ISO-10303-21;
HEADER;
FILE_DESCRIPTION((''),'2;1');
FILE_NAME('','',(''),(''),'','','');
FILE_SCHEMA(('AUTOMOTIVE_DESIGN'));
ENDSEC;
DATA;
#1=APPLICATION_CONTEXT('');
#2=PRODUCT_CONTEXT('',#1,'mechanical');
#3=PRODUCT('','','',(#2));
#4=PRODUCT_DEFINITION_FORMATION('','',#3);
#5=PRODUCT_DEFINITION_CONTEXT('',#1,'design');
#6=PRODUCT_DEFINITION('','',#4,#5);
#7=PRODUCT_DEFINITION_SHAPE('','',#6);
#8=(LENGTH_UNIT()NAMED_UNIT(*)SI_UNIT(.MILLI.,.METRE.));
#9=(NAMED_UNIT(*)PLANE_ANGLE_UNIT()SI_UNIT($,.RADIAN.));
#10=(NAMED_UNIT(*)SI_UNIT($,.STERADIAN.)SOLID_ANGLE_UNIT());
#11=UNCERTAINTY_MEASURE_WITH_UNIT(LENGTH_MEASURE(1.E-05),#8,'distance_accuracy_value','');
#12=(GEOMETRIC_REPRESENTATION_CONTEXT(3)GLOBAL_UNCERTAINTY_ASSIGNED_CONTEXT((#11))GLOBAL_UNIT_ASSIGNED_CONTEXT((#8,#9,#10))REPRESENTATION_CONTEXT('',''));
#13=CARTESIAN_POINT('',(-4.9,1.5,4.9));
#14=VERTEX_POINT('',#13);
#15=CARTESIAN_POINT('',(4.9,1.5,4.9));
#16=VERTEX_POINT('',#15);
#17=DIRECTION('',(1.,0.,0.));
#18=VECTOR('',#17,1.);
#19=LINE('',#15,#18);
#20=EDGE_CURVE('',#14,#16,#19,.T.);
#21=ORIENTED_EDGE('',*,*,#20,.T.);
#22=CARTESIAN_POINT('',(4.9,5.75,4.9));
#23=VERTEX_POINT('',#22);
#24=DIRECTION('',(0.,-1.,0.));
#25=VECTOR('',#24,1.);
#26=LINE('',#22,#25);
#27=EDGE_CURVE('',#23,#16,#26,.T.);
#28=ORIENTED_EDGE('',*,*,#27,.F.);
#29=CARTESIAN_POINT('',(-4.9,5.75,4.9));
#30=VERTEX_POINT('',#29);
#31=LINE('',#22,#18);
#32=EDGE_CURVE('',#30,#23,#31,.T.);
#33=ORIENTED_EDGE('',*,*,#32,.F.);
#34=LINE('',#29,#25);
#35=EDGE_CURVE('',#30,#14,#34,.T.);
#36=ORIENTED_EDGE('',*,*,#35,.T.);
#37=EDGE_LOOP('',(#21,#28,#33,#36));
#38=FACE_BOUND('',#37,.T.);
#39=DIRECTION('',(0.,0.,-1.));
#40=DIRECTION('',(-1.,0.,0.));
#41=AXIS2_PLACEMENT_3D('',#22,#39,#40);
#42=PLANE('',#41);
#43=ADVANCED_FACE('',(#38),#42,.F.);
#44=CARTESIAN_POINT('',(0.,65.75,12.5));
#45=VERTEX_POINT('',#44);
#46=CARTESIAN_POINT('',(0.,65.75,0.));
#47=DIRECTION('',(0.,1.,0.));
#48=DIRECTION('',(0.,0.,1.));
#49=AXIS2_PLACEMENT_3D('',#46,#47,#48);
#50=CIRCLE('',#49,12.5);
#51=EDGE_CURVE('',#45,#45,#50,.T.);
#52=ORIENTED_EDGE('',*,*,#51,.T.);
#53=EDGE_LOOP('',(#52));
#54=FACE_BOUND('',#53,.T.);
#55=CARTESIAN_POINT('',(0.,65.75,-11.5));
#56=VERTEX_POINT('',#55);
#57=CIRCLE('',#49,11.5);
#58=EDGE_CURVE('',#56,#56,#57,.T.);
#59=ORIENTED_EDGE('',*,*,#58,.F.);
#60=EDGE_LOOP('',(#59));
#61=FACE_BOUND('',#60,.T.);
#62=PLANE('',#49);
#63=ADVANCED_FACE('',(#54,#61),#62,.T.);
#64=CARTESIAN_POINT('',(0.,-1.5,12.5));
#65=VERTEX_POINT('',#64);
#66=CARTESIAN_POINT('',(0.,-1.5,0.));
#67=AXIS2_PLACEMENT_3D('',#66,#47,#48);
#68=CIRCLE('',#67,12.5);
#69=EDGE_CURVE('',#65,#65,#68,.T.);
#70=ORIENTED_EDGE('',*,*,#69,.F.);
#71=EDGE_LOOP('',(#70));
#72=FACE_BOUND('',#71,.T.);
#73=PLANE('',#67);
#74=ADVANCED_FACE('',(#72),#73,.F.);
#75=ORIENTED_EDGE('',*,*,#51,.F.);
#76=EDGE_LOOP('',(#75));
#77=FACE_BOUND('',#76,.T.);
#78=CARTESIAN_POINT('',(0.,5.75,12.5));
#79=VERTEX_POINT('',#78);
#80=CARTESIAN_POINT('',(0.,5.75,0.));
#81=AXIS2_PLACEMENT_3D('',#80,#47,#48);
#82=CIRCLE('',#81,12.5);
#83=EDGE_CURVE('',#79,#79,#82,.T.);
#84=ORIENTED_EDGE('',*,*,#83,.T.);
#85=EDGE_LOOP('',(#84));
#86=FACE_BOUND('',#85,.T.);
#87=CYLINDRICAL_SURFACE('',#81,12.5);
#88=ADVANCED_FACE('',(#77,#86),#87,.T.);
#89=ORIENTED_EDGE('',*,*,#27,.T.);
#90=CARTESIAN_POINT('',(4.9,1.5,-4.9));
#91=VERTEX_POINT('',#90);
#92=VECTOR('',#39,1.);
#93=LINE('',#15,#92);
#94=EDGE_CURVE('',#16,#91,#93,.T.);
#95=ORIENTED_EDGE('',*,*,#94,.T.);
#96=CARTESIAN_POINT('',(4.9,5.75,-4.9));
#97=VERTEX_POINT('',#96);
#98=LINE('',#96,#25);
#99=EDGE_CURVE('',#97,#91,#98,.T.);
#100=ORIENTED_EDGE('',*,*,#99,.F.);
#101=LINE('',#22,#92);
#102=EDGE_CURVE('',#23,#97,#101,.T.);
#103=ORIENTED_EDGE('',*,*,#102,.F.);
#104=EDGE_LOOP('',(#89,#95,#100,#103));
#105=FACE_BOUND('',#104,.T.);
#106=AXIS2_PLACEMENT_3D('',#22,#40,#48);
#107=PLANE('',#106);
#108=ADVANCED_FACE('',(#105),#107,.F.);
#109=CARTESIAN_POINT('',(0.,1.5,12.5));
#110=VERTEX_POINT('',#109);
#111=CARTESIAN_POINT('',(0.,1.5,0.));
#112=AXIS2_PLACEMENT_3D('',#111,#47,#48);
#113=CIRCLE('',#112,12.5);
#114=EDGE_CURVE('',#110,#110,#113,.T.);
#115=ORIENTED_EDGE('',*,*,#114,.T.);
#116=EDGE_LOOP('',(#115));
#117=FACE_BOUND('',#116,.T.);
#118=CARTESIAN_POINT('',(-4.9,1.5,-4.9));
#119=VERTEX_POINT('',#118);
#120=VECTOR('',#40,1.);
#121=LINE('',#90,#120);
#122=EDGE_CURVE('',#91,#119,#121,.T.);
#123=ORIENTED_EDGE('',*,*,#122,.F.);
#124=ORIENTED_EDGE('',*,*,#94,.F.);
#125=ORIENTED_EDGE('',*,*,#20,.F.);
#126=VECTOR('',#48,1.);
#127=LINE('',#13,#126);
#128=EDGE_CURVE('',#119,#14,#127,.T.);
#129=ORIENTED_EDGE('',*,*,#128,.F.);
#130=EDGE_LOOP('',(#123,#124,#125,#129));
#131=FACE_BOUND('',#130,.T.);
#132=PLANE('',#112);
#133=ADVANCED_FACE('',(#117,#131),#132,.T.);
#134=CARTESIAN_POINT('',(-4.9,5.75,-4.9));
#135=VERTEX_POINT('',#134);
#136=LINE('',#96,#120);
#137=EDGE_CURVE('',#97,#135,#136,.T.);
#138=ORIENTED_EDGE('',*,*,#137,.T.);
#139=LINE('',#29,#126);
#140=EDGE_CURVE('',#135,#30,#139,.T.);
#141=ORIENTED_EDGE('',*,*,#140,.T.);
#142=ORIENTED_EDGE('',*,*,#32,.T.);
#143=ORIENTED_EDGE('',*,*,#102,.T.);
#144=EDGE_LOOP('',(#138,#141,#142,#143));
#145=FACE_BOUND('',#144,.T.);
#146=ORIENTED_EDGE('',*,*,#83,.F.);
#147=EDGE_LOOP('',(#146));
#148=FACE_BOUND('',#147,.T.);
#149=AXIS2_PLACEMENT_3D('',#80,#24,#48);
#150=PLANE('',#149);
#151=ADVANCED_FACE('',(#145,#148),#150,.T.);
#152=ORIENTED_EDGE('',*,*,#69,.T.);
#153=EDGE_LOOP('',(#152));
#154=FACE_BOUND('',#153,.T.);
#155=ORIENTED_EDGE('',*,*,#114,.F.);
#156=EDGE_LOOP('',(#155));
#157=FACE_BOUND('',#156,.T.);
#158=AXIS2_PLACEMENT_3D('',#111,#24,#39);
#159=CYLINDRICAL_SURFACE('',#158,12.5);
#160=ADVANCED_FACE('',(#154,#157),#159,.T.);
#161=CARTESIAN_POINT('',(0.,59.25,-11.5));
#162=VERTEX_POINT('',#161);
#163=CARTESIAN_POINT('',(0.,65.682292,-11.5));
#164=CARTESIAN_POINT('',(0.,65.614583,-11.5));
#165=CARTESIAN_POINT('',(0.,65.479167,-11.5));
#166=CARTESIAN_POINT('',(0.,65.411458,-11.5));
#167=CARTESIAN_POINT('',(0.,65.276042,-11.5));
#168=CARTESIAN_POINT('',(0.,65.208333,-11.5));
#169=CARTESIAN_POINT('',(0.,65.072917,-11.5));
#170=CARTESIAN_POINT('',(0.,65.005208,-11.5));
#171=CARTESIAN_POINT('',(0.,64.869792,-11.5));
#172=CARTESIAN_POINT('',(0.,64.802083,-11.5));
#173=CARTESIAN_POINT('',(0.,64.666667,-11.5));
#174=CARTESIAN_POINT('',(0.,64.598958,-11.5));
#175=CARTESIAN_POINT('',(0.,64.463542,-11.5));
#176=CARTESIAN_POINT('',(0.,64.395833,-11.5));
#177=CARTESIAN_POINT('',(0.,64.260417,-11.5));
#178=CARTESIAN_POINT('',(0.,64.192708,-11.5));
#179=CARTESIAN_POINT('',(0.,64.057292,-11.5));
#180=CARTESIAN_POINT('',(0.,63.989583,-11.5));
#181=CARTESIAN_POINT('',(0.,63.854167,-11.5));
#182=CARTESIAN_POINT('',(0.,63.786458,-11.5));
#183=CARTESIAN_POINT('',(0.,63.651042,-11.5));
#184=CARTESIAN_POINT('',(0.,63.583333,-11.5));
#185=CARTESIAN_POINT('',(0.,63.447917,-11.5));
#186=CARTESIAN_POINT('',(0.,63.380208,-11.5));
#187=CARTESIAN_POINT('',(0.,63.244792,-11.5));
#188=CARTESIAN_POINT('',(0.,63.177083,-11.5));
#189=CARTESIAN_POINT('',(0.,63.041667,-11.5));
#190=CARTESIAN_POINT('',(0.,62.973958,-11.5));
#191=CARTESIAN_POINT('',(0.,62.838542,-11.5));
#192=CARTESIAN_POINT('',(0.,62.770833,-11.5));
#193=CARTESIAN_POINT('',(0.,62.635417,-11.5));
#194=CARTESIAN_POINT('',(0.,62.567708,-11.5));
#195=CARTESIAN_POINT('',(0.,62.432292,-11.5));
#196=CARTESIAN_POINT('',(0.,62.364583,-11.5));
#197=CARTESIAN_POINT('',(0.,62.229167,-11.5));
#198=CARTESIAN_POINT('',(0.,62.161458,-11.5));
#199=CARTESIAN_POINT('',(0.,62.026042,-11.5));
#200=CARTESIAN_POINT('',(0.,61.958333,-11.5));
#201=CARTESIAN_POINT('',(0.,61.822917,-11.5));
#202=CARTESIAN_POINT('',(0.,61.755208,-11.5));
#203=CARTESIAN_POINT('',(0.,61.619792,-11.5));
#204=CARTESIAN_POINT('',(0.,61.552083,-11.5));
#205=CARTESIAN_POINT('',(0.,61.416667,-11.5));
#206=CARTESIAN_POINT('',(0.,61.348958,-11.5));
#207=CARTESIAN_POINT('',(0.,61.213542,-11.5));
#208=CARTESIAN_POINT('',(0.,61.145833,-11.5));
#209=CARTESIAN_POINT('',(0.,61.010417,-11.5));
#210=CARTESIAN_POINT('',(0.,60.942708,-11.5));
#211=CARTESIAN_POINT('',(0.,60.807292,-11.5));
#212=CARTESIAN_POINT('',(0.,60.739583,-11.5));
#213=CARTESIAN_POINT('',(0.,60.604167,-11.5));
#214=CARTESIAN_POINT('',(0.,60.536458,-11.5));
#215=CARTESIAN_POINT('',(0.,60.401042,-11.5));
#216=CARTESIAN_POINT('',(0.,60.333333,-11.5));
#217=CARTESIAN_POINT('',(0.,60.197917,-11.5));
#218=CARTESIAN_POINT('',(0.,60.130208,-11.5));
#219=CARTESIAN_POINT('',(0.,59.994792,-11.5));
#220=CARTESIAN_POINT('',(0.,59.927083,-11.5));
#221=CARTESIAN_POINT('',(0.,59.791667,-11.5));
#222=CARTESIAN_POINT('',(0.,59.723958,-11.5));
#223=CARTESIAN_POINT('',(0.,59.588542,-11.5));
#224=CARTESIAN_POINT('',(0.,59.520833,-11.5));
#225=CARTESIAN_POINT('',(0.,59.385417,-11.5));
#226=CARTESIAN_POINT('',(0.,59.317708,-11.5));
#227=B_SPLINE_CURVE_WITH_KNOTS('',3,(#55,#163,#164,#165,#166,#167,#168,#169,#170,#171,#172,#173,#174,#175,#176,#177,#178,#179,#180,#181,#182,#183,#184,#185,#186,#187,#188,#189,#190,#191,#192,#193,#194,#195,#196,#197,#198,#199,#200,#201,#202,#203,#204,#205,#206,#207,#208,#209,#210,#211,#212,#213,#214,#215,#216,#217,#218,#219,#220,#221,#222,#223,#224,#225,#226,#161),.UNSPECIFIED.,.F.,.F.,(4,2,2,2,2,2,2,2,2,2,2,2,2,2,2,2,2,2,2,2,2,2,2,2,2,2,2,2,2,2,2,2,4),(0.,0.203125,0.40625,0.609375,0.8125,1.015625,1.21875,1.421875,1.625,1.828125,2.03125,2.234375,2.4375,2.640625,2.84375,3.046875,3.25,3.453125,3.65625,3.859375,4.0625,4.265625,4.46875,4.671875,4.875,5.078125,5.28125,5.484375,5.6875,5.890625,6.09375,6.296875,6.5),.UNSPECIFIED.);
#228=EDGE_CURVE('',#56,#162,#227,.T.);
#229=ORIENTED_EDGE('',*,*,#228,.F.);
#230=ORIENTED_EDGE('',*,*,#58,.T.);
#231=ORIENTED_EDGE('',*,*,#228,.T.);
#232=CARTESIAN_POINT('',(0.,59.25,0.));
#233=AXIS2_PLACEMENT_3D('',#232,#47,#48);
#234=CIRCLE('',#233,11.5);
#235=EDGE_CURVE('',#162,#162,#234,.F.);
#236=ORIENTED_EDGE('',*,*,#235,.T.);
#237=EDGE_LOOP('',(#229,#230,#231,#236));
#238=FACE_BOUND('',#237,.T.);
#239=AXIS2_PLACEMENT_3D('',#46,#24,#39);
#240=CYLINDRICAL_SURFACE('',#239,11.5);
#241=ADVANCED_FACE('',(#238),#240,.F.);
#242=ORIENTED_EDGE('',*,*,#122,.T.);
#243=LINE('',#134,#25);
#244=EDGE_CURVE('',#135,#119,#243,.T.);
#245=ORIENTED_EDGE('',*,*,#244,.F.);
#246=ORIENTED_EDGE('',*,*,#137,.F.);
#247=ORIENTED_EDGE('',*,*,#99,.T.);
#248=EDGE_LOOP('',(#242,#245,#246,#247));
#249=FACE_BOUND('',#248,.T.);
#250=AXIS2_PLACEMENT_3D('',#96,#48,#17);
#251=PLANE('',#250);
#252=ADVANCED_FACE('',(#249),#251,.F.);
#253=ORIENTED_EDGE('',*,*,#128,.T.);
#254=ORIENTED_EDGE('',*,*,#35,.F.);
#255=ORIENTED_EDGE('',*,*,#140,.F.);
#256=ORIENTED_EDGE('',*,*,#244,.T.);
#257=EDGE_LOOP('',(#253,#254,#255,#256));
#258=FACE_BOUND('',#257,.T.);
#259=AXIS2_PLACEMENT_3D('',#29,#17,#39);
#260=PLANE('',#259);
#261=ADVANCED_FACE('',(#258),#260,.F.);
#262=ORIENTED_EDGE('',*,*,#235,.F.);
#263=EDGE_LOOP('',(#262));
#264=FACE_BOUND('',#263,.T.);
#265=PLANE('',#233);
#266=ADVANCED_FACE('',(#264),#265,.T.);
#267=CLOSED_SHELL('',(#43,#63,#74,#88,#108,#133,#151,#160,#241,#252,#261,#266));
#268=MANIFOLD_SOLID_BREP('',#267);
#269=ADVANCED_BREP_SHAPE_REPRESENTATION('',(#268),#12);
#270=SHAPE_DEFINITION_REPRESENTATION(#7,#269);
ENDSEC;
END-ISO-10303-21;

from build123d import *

# Parameters (mm, degrees)
SKETCH1_R           = 12.5
BOSS_EXTRUDE1_DEPTH = 1.5
SKETCH2_W           = 9.8
SKETCH2_H           = 9.8
BOSS_EXTRUDE2_DEPTH = 4.25
SKETCH3_R           = 12.5
BOSS_EXTRUDE3_DEPTH = 47.5
SKETCH4_R           = 12.5
BOSS_EXTRUDE4_DEPTH = 3
SKETCH5_R           = 12.5
SKETCH5_R_2         = 11.5
BOSS_EXTRUDE5_DEPTH = 6.5


with BuildPart() as part:
    # Sketch1 → Boss-Extrude1 (new, symmetric)
    with BuildSketch(Plane(origin=(0, 0, 0), x_dir=(1, 0, 0), z_dir=(0, 1, 0))):
        with Locations(Location((0, 0, 0), (0, 0, 270))):
            Circle(SKETCH1_R)
    boss_extrude1 = extrude(amount=BOSS_EXTRUDE1_DEPTH, both=True)

    # Sketch2 → Boss-Extrude2 (add)
    with BuildSketch(Plane(origin=(0, 1.5, 0), x_dir=(1, 0, 0), z_dir=(0, 1, 0))):
        Rectangle(SKETCH2_W, SKETCH2_H)
    extrude(amount=BOSS_EXTRUDE2_DEPTH)

    # Mirror1: Boss-Extrude1 across plane
    add(boss_extrude1.mirror(Plane.ZX.offset(3.625)))

    # Sketch3 → Boss-Extrude3 (add)
    with BuildSketch(Plane(origin=(0, 8.75, 0), x_dir=(1, 0, 0), z_dir=(0, 1, 0))):
        with Locations(Location((0, 0, 0), (0, 0, 270))):
            Circle(SKETCH3_R)
    extrude(amount=BOSS_EXTRUDE3_DEPTH)

    # Sketch4 → Boss-Extrude4 (add)
    with BuildSketch(Plane(origin=(0, 56.25, 0), x_dir=(1, 0, 0), z_dir=(0, 1, 0))):
        with Locations(Location((0, 0, 0), (0, 0, 270))):
            Circle(SKETCH4_R)
    extrude(amount=BOSS_EXTRUDE4_DEPTH)

    # Sketch5 → Boss-Extrude5 (add)
    with BuildSketch(Plane(origin=(0, 59.25, 0), x_dir=(1, 0, 0), z_dir=(0, 1, 0))):
        with Locations(Location((0, 0, 0), (0, 0, 270))):
            Circle(SKETCH5_R)
        with Locations(Location((0, 0, 0), (0, 0, 90))):
            Circle(SKETCH5_R_2, mode=Mode.SUBTRACT)
    extrude(amount=BOSS_EXTRUDE5_DEPTH)


solid = part.part
